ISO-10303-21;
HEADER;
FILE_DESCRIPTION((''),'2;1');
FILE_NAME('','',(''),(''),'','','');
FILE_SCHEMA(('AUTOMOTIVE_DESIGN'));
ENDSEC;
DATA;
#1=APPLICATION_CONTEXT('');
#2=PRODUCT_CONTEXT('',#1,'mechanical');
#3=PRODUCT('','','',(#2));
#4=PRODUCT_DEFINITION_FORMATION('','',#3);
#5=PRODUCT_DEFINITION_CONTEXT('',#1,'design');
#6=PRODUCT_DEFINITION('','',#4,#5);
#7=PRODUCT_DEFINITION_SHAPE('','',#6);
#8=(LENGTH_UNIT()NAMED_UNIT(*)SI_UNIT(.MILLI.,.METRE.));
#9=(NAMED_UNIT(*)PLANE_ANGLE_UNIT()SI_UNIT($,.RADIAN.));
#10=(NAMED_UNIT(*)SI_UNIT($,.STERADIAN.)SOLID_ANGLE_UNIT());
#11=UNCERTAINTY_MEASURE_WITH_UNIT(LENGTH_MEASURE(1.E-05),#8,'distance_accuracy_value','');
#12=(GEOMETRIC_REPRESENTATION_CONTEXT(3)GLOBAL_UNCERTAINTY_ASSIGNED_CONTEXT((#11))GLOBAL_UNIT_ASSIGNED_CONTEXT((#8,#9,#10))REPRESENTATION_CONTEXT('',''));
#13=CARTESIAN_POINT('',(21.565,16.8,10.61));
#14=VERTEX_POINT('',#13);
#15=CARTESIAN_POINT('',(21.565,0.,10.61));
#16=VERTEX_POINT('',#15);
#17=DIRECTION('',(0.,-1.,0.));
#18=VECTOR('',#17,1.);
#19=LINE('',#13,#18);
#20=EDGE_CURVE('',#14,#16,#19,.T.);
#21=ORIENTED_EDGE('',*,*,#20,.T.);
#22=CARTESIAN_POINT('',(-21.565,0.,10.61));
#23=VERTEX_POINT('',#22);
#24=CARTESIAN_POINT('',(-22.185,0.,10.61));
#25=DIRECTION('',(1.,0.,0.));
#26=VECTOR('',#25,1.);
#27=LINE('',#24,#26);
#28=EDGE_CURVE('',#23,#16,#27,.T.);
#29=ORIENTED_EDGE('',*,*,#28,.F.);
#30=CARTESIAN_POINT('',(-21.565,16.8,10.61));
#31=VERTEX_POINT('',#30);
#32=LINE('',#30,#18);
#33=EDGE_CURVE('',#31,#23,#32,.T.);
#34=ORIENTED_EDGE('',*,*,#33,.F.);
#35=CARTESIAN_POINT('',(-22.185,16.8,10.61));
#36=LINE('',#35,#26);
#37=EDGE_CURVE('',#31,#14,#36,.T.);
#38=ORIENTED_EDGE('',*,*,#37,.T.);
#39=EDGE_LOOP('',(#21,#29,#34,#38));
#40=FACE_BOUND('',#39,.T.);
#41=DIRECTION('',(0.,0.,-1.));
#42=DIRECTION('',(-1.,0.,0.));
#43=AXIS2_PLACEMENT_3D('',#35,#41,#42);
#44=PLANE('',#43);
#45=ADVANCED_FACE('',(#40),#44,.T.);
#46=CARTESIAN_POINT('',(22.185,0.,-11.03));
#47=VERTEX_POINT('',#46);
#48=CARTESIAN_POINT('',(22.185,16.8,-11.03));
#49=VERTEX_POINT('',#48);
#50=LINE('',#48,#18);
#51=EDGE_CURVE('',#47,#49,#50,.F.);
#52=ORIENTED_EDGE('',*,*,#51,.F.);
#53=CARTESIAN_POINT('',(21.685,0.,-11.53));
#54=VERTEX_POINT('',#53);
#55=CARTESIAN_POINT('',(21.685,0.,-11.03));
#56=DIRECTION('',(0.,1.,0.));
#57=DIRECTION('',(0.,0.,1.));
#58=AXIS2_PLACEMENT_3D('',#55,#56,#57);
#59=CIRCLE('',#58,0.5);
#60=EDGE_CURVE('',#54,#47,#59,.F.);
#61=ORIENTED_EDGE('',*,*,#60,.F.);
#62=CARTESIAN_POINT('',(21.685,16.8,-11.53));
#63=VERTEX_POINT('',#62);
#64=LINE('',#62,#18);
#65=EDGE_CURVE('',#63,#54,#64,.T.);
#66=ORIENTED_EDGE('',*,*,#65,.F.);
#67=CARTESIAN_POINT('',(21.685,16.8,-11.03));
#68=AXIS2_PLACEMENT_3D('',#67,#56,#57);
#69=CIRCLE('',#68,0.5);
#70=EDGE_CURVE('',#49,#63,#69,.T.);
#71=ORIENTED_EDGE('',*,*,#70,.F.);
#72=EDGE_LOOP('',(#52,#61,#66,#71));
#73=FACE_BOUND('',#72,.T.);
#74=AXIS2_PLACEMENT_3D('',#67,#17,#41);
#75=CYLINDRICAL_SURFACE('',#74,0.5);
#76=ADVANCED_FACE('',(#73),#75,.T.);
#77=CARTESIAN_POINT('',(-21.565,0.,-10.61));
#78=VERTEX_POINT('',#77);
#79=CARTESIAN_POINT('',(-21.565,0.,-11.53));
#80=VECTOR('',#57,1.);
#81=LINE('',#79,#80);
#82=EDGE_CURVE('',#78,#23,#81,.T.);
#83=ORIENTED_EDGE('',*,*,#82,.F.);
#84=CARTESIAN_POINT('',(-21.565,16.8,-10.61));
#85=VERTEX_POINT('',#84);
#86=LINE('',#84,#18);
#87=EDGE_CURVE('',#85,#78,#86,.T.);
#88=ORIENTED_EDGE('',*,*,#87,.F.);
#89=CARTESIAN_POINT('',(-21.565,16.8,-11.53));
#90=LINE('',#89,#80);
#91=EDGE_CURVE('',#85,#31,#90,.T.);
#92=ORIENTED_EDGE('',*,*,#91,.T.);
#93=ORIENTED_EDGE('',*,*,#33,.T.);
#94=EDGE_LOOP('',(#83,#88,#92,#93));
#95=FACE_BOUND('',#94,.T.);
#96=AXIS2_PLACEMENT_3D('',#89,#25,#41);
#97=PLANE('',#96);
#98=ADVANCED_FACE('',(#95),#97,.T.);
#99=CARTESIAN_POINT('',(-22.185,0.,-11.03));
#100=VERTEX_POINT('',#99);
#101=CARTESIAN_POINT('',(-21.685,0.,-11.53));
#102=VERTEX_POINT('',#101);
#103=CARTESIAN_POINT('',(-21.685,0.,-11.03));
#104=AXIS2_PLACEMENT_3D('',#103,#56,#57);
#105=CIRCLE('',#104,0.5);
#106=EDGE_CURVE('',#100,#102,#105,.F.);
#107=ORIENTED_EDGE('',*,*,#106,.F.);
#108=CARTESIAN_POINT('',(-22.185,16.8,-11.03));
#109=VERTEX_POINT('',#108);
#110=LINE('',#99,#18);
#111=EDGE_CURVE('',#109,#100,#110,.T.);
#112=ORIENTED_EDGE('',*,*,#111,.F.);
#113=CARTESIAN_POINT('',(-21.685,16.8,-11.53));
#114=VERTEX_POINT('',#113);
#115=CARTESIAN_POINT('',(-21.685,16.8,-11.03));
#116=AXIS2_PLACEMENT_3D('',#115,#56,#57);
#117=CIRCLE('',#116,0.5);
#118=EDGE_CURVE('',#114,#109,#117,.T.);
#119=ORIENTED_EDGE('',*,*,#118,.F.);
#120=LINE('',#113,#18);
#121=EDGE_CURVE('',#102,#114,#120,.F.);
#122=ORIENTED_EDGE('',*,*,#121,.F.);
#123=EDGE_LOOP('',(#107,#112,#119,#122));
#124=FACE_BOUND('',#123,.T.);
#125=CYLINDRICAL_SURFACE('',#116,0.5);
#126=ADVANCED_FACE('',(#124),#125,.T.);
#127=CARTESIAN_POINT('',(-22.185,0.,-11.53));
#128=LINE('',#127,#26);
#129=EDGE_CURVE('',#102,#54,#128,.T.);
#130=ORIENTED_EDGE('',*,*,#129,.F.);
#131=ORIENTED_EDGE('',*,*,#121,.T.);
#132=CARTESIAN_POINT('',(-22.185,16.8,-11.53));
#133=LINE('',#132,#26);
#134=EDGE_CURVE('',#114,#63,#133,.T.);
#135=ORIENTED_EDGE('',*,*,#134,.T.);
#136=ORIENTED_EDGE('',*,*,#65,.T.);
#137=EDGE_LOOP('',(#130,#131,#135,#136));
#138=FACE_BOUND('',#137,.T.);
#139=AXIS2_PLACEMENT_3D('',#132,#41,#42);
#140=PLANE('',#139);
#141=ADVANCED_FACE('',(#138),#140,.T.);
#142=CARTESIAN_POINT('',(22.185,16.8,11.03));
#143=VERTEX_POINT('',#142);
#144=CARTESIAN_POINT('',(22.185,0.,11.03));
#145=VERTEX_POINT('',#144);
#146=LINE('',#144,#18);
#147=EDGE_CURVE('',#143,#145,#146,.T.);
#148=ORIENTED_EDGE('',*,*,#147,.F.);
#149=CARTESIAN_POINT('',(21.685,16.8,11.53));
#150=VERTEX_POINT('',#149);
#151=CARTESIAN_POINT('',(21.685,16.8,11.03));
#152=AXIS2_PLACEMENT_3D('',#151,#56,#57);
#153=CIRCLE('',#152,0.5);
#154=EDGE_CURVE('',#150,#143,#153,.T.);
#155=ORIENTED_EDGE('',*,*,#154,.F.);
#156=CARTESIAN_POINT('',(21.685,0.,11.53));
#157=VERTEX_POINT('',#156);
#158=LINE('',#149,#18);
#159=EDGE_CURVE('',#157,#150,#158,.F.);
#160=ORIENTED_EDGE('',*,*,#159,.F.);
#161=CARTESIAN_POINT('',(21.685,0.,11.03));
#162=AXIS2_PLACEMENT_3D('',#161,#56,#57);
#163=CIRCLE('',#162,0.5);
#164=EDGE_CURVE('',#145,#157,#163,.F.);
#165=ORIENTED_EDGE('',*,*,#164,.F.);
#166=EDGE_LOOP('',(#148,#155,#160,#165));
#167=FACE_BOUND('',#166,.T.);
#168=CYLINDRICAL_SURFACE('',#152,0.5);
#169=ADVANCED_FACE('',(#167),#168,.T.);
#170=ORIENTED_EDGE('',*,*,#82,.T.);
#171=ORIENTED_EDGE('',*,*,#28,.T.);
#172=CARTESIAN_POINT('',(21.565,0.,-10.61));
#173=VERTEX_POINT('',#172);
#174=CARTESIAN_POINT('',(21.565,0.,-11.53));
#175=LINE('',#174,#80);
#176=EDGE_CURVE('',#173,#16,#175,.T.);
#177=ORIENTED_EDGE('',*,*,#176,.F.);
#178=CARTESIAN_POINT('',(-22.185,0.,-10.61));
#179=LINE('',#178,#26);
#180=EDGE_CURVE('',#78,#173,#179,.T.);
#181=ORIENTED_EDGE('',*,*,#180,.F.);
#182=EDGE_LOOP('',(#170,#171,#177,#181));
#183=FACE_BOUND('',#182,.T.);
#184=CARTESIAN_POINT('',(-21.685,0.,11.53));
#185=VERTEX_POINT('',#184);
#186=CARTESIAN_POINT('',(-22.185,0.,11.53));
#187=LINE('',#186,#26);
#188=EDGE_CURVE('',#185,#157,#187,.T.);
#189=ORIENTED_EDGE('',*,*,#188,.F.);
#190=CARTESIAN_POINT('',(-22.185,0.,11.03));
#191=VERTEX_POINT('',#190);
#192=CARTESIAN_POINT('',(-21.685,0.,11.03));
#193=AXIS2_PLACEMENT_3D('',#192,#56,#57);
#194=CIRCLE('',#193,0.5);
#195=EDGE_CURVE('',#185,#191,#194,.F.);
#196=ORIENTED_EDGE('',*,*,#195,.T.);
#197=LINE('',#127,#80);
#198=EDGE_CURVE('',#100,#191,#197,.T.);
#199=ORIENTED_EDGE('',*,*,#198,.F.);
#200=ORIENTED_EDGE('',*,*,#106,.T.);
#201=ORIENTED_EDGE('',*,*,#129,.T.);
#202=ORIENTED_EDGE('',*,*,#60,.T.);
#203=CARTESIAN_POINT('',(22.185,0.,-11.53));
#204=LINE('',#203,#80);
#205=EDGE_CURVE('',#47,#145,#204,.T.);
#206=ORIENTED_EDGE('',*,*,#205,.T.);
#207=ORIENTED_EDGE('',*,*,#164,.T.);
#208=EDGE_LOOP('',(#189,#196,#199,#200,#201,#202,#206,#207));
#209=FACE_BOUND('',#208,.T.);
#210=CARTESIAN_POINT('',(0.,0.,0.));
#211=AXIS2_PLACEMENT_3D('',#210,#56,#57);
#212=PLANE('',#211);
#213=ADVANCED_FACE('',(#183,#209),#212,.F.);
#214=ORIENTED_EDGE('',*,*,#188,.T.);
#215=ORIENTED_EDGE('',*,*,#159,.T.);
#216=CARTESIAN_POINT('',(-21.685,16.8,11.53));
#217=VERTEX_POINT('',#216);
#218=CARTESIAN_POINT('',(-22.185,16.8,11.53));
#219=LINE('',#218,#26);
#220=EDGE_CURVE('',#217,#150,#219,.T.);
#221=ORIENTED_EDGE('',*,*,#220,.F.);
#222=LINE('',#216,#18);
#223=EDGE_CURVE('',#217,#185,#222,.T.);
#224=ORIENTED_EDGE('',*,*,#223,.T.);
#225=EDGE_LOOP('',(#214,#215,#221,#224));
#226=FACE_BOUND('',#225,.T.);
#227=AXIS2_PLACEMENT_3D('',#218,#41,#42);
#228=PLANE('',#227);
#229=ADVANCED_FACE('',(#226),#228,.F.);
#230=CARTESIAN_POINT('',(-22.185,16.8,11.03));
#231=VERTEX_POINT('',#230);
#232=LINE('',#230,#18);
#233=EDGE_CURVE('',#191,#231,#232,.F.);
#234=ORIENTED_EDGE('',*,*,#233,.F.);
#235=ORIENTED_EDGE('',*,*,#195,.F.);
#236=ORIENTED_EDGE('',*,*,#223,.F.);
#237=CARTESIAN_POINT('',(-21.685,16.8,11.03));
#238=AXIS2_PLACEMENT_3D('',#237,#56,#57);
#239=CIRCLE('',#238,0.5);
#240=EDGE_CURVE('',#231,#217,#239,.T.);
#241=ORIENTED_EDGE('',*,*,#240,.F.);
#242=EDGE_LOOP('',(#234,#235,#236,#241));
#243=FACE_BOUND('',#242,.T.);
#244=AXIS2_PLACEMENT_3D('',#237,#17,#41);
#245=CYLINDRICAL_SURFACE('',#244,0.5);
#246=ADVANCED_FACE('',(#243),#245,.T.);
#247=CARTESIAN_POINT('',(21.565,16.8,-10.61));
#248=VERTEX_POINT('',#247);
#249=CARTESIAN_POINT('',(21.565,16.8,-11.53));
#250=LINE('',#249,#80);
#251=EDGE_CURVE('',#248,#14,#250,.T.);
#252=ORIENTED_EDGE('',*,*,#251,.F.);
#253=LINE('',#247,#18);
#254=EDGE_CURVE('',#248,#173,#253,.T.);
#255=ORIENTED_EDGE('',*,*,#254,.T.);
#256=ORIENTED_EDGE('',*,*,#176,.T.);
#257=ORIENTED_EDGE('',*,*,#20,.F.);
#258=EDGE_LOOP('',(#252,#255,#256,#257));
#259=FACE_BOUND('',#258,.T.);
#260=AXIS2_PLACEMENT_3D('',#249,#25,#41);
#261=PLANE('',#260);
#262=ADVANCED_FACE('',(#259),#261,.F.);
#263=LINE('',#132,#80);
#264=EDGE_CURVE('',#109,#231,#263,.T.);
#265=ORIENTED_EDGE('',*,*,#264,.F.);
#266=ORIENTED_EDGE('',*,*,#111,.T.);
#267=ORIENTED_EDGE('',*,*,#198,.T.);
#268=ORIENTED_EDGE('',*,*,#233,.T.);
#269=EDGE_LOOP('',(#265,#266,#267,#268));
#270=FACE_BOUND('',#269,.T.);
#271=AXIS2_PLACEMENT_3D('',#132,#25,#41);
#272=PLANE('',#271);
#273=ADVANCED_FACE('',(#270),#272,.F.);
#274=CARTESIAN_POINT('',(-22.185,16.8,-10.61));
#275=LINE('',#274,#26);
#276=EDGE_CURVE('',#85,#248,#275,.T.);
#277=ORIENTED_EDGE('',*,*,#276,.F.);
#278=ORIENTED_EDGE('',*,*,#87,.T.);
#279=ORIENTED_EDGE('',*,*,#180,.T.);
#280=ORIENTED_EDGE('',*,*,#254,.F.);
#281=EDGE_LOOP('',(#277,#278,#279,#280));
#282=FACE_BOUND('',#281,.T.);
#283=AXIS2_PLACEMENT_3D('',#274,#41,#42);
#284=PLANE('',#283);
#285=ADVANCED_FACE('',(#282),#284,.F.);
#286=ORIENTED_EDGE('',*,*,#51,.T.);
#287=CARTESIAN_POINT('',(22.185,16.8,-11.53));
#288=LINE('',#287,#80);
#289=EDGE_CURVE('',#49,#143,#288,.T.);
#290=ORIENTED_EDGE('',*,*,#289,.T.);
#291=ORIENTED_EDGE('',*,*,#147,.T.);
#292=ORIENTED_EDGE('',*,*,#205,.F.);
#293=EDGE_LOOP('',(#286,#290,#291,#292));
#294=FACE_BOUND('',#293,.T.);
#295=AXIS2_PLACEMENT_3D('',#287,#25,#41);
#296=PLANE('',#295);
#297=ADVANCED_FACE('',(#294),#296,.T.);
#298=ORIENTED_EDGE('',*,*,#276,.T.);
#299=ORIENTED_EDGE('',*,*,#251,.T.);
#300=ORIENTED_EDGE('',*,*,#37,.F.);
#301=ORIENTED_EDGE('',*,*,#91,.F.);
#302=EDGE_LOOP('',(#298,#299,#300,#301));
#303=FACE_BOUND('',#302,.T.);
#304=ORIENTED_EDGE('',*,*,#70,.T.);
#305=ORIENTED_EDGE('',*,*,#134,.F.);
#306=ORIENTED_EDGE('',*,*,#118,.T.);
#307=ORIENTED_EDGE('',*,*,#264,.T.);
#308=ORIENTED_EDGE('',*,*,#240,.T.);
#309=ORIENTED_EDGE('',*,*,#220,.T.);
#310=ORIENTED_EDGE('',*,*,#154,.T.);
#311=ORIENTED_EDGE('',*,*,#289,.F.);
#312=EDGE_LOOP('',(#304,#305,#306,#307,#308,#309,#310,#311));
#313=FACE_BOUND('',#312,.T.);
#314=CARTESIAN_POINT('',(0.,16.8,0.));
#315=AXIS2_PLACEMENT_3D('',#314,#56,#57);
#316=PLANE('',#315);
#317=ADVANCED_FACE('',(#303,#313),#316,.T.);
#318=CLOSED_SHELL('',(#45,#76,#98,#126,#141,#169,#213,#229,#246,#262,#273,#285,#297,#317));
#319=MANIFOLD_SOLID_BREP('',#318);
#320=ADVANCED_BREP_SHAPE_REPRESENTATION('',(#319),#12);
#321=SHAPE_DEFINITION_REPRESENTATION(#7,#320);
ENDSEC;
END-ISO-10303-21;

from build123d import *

# Parameters (mm, degrees)
MIDDLE_COVER_SKETCH_01_W    = 44.37
MIDDLE_COVER_SKETCH_01_H    = 23.06
SALIENTE_EXTRUIR1_DEPTH     = 16.8
VACIADO1_T                  = -1
VACIADO1_THICKNESS_2_FACE_W = 21.06
VACIADO1_THICKNESS_2_FACE_H = 16.8
VACIADO1_THICKNESS_2_DEPTH  = 0.38
VACIADO1_THICKNESS_3_FACE_W = 21.06
VACIADO1_THICKNESS_3_FACE_H = 16.8
VACIADO1_THICKNESS_3_DEPTH  = 0.38
VACIADO1_THICKNESS_4_FACE_W = 43.13
VACIADO1_THICKNESS_4_FACE_H = 16.8
VACIADO1_THICKNESS_4_DEPTH  = 0.08
VACIADO1_THICKNESS_5_FACE_W = 43.13
VACIADO1_THICKNESS_5_FACE_H = 16.8
VACIADO1_THICKNESS_5_DEPTH  = 0.08
REDONDEO1_R                 = 0.5


with BuildPart() as part:
    # Middle-cover-sketch-01 → Saliente-Extruir1 (new body)
    with BuildSketch(Plane(origin=(0, 0, 0), x_dir=(1, 0, 0), z_dir=(0, 1, 0))):
        Rectangle(MIDDLE_COVER_SKETCH_01_W, MIDDLE_COVER_SKETCH_01_H)
    extrude(amount=SALIENTE_EXTRUIR1_DEPTH)

    # Vaciado1
    vaciado1_openings = [part.faces().sort_by_distance(p)[0] for p in [
        (0, 16.8, 0),
        (0, 0, 0),
    ]]
    offset(amount=VACIADO1_T, openings=vaciado1_openings, kind=Kind.INTERSECTION)

    # Vaciado1 thickness 2 face (on inner face of the shell) → Vaciado1 thickness 2 (cut)
    with BuildSketch(Plane(origin=(21.185, 8.4, 0), x_dir=(0, 0, 1), z_dir=(1, 0, 0))):
        Rectangle(VACIADO1_THICKNESS_2_FACE_W, VACIADO1_THICKNESS_2_FACE_H)
    extrude(amount=VACIADO1_THICKNESS_2_DEPTH, mode=Mode.SUBTRACT)

    # Vaciado1 thickness 3 face (on inner face of the shell) → Vaciado1 thickness 3 (cut)
    with BuildSketch(Plane(origin=(-21.185, 8.4, 0), x_dir=(0, 0, -1), z_dir=(-1, 0, 0))):
        Rectangle(VACIADO1_THICKNESS_3_FACE_W, VACIADO1_THICKNESS_3_FACE_H)
    extrude(amount=VACIADO1_THICKNESS_3_DEPTH, mode=Mode.SUBTRACT)

    # Vaciado1 thickness 4 face (on inner face of the shell) → Vaciado1 thickness 4 (cut)
    with BuildSketch(Plane(origin=(0, 8.4, 10.53), x_dir=(1, 0, 0), z_dir=(0, 0, 1))):
        Rectangle(VACIADO1_THICKNESS_4_FACE_W, VACIADO1_THICKNESS_4_FACE_H)
    extrude(amount=VACIADO1_THICKNESS_4_DEPTH, mode=Mode.SUBTRACT)

    # Vaciado1 thickness 5 face (on inner face of the shell) → Vaciado1 thickness 5 (cut)
    with BuildSketch(Plane(origin=(0, 8.4, -10.53), x_dir=(-1, 0, 0), z_dir=(0, 0, -1))):
        Rectangle(VACIADO1_THICKNESS_5_FACE_W, VACIADO1_THICKNESS_5_FACE_H)
    extrude(amount=VACIADO1_THICKNESS_5_DEPTH, mode=Mode.SUBTRACT)

    # Redondeo1
    redondeo1_edges = [part.edges().sort_by_distance(p)[0] for p in [
        (-22.185, 8.4, -11.53),
        (22.185, 8.4, -11.53),
        (22.185, 8.4, 11.53),
        (-22.185, 8.4, 11.53),
    ]]
    fillet(redondeo1_edges, radius=REDONDEO1_R)


solid = part.part
